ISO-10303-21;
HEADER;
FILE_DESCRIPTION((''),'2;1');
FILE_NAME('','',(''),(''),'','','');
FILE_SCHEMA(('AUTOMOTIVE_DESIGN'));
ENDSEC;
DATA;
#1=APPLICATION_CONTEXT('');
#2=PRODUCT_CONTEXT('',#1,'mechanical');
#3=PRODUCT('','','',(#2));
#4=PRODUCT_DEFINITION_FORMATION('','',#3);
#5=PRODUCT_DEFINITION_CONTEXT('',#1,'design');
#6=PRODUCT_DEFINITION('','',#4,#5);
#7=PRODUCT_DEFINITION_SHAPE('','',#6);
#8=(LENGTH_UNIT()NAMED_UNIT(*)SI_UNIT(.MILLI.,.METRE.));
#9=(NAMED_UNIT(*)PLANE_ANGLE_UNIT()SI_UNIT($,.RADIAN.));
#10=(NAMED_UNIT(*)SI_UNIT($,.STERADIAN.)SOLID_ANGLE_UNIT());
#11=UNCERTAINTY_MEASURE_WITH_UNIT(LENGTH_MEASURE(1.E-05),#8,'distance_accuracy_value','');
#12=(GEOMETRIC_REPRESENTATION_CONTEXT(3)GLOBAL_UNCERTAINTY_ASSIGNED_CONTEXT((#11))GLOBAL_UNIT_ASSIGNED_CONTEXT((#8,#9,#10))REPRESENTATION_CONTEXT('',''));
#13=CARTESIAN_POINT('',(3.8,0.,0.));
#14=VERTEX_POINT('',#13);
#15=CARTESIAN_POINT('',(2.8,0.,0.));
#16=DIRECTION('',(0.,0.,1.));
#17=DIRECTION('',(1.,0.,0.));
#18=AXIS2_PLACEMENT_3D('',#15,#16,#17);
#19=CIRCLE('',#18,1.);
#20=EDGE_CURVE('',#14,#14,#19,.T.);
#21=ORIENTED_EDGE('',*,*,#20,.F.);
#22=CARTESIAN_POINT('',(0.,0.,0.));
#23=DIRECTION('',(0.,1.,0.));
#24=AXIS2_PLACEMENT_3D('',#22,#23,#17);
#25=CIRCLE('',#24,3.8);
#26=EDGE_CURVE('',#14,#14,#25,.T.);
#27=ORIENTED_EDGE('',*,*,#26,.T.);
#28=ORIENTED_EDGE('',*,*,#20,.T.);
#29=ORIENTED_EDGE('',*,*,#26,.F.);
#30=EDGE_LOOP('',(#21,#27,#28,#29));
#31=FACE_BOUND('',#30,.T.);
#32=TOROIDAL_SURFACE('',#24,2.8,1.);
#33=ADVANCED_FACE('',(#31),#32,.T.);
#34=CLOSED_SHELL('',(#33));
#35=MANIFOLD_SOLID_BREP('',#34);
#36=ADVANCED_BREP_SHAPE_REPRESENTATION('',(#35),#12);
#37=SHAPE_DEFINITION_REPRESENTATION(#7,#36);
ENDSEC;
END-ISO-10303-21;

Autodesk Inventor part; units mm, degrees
ref_plane "YZ Plane" through (0, 0, 0) normal (1, 0, 0) x (0, 1, 0)
ref_plane "XZ Plane" through (0, 0, 0) normal (0, 1, 0) x (-1, 0, 0)
ref_plane "XY Plane" through (0, 0, 0) normal (0, 0, 1) x (1, 0, 0)
sketch "Skizze1" plane through (0, 0, 0) normal (0, 0, 1) x (1, 0, 0)
  circle A0 centre (2.8, 0) radius 1
  line L0 (0, -1.4) -> (0, 1.4) projected
  point P0 (0, 0)
  dimension "d0" = 2
  dimension "d1" = 2.8
revolve "Umdrehung1" add sketch "Skizze1" angle 360 about axis through (0, -10, 0) along (0, 1, 0)
properties part number "103.018.01_Gummiring_Hubmagnet" material "Gummi, Silikon"
